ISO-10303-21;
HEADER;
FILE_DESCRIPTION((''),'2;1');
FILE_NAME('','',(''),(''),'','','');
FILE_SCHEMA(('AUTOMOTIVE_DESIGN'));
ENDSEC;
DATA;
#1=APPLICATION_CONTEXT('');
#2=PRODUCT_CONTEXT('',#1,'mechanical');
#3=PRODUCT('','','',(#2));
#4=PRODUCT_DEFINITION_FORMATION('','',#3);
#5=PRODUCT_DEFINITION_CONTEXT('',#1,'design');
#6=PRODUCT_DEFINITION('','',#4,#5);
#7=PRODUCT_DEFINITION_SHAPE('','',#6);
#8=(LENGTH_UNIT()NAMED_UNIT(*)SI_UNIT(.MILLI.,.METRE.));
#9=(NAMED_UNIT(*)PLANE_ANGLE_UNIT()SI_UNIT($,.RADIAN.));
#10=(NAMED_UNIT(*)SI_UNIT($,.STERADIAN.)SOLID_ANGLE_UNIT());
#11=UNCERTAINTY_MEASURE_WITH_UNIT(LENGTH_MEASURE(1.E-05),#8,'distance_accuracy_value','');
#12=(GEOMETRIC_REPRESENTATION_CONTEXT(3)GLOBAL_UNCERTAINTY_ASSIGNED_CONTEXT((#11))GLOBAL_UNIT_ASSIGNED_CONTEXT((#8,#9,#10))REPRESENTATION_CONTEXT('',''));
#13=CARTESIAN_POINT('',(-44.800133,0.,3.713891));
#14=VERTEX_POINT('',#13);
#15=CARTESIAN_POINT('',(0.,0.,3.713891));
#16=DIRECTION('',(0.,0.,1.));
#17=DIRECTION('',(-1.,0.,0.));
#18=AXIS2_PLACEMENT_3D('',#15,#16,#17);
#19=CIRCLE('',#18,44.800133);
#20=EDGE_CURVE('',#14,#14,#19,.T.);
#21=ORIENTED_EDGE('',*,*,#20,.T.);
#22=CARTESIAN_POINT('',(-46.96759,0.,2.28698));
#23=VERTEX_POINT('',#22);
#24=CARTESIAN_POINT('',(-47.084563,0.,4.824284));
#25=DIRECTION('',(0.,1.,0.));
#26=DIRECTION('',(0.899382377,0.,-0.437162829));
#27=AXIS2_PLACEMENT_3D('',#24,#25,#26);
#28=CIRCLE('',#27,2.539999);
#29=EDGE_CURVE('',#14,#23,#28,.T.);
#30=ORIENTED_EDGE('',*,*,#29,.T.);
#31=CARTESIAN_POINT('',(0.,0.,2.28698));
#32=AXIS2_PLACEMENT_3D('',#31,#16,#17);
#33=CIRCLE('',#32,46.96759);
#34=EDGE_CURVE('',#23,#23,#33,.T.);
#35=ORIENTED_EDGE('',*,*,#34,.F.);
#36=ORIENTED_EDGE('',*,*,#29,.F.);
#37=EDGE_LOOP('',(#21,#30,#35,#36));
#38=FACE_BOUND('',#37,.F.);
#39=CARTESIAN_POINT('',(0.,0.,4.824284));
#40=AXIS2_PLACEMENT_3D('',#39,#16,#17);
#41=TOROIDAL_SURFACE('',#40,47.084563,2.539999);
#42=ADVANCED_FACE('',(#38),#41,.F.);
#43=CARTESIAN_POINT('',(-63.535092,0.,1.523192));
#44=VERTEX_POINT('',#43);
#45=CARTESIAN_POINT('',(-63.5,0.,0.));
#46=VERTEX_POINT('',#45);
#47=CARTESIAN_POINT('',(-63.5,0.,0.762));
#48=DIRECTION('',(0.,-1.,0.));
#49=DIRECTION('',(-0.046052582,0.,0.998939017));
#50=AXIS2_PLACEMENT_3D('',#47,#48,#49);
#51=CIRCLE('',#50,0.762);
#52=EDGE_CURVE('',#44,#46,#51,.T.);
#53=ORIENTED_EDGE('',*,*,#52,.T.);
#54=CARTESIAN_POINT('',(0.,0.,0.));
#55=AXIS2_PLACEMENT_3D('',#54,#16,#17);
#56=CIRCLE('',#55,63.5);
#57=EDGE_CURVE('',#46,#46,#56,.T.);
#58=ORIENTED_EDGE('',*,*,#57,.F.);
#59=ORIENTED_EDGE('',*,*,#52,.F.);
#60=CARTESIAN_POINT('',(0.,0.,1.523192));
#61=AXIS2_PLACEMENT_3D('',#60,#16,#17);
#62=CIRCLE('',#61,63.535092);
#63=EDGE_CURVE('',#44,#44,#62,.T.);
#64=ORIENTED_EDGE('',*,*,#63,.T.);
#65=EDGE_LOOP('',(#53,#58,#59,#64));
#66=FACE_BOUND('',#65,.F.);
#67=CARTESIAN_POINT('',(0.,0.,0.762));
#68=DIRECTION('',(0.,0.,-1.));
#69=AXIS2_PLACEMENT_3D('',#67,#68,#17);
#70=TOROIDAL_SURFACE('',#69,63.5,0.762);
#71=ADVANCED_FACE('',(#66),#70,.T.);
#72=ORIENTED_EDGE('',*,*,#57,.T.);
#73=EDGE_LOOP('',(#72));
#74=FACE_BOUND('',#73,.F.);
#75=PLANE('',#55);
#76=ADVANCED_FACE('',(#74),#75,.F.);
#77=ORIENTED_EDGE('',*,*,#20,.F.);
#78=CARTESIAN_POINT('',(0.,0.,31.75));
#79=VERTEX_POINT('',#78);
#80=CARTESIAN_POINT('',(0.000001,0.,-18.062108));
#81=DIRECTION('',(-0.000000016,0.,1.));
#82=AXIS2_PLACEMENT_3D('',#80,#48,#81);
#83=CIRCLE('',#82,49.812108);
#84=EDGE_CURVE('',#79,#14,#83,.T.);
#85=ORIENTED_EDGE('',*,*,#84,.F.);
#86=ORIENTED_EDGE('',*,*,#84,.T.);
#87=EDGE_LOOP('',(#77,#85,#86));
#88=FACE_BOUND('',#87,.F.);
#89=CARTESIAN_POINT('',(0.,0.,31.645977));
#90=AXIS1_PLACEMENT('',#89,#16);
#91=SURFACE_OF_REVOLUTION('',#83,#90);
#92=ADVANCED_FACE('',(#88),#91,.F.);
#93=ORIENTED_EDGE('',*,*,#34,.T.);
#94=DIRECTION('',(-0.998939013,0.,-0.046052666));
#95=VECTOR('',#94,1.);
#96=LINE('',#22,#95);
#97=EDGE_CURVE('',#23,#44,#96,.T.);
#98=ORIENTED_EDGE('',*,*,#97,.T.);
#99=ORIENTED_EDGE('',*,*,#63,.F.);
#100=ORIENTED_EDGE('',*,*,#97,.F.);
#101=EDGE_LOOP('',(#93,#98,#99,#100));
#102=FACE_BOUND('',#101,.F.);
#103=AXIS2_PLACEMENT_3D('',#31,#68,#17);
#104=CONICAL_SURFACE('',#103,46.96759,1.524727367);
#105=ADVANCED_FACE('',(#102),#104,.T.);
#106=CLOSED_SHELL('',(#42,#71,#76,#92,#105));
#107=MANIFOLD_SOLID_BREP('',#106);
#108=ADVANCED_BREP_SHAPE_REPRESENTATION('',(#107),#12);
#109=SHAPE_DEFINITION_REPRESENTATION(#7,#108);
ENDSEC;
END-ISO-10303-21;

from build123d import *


with BuildPart() as f1:
    # F0 (on Front) → F1 (revolve)
    with BuildSketch(Plane.XZ):
        with BuildLine():
            Line((-46.96759, 2.28698), (-63.535092, 1.523192))
            ThreePointArc((-63.535092, 1.523192), (-64.261798, 0.744449), (-63.5, 0))
            Line((-63.5, 0), (0, 0))
            Line((0, 0), (0, 31.75))
            ThreePointArc((0, 31.75), (-26.424777, 24.163207), (-44.800133, 3.713891))
            ThreePointArc((-44.800133, 3.713891), (-45.687887, 2.702754), (-46.96759, 2.28698))
        make_face()
    revolve(axis=Axis((0, 0, 31.645977), (0, 0, 1)))


solid = f1.part
